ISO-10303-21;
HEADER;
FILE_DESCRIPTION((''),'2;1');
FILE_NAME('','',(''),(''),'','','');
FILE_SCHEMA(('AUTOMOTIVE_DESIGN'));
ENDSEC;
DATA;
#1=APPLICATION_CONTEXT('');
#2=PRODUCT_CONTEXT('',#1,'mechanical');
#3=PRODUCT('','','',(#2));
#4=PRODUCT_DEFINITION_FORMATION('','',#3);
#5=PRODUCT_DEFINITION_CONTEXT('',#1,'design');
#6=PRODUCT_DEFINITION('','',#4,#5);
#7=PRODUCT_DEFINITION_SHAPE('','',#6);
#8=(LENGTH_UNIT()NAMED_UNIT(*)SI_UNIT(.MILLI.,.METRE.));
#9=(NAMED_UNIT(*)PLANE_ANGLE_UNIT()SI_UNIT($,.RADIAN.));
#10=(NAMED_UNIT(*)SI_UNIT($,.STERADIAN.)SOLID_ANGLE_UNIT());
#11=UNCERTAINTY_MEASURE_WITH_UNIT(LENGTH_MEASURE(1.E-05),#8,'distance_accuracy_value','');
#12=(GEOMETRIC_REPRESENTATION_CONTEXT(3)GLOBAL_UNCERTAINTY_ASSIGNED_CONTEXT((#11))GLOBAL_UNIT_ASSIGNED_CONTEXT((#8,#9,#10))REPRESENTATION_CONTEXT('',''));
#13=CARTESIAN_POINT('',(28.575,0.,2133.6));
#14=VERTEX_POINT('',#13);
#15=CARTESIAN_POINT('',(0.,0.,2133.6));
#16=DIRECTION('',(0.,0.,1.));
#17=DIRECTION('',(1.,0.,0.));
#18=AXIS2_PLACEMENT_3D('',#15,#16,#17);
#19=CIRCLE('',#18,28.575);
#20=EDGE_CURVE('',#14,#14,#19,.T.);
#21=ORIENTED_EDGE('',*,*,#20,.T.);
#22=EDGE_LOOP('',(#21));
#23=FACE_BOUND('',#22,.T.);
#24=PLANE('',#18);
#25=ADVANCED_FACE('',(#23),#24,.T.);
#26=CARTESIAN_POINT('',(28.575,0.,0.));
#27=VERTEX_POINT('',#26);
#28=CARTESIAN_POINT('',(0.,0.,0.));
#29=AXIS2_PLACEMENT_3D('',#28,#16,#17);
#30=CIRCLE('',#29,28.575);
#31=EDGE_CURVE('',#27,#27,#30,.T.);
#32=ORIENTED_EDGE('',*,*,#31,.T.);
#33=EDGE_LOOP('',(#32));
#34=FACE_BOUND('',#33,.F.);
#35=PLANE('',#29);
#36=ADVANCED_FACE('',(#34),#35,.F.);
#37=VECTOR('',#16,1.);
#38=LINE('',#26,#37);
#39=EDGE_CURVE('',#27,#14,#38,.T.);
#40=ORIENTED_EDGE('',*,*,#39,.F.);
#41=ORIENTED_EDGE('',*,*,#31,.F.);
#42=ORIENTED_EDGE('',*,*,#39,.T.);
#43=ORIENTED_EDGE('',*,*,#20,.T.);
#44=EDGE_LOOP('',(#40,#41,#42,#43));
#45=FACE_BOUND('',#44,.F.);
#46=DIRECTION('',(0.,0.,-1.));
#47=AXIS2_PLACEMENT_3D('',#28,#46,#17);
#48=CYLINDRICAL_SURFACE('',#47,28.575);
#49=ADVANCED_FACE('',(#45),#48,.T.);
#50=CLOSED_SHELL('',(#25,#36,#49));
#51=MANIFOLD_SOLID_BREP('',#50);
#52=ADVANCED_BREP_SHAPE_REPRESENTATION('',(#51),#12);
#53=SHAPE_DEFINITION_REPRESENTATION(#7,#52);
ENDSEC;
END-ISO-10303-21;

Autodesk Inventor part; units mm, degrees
ref_plane "YZ Plane" through (0, 0, 0) normal (1, 0, 0) x (0, 1, 0)
ref_plane "XZ Plane" through (0, 0, 0) normal (0, 1, 0) x (-1, 0, 0)
ref_plane "XY Plane" through (0, 0, 0) normal (0, 0, 1) x (1, 0, 0)
sketch "Sketch1" plane through (0, 0, 0) normal (0, 0, 1) x (1, 0, 0)
  circle A0 centre (0, 0) radius 28.575
  dimension "d0" = 57.15
extrude "Extrusion1" add sketch "Sketch1" along normal blind 2133.6
properties part number "2.25 bar x 7ft" material "Steel, Alloy"
